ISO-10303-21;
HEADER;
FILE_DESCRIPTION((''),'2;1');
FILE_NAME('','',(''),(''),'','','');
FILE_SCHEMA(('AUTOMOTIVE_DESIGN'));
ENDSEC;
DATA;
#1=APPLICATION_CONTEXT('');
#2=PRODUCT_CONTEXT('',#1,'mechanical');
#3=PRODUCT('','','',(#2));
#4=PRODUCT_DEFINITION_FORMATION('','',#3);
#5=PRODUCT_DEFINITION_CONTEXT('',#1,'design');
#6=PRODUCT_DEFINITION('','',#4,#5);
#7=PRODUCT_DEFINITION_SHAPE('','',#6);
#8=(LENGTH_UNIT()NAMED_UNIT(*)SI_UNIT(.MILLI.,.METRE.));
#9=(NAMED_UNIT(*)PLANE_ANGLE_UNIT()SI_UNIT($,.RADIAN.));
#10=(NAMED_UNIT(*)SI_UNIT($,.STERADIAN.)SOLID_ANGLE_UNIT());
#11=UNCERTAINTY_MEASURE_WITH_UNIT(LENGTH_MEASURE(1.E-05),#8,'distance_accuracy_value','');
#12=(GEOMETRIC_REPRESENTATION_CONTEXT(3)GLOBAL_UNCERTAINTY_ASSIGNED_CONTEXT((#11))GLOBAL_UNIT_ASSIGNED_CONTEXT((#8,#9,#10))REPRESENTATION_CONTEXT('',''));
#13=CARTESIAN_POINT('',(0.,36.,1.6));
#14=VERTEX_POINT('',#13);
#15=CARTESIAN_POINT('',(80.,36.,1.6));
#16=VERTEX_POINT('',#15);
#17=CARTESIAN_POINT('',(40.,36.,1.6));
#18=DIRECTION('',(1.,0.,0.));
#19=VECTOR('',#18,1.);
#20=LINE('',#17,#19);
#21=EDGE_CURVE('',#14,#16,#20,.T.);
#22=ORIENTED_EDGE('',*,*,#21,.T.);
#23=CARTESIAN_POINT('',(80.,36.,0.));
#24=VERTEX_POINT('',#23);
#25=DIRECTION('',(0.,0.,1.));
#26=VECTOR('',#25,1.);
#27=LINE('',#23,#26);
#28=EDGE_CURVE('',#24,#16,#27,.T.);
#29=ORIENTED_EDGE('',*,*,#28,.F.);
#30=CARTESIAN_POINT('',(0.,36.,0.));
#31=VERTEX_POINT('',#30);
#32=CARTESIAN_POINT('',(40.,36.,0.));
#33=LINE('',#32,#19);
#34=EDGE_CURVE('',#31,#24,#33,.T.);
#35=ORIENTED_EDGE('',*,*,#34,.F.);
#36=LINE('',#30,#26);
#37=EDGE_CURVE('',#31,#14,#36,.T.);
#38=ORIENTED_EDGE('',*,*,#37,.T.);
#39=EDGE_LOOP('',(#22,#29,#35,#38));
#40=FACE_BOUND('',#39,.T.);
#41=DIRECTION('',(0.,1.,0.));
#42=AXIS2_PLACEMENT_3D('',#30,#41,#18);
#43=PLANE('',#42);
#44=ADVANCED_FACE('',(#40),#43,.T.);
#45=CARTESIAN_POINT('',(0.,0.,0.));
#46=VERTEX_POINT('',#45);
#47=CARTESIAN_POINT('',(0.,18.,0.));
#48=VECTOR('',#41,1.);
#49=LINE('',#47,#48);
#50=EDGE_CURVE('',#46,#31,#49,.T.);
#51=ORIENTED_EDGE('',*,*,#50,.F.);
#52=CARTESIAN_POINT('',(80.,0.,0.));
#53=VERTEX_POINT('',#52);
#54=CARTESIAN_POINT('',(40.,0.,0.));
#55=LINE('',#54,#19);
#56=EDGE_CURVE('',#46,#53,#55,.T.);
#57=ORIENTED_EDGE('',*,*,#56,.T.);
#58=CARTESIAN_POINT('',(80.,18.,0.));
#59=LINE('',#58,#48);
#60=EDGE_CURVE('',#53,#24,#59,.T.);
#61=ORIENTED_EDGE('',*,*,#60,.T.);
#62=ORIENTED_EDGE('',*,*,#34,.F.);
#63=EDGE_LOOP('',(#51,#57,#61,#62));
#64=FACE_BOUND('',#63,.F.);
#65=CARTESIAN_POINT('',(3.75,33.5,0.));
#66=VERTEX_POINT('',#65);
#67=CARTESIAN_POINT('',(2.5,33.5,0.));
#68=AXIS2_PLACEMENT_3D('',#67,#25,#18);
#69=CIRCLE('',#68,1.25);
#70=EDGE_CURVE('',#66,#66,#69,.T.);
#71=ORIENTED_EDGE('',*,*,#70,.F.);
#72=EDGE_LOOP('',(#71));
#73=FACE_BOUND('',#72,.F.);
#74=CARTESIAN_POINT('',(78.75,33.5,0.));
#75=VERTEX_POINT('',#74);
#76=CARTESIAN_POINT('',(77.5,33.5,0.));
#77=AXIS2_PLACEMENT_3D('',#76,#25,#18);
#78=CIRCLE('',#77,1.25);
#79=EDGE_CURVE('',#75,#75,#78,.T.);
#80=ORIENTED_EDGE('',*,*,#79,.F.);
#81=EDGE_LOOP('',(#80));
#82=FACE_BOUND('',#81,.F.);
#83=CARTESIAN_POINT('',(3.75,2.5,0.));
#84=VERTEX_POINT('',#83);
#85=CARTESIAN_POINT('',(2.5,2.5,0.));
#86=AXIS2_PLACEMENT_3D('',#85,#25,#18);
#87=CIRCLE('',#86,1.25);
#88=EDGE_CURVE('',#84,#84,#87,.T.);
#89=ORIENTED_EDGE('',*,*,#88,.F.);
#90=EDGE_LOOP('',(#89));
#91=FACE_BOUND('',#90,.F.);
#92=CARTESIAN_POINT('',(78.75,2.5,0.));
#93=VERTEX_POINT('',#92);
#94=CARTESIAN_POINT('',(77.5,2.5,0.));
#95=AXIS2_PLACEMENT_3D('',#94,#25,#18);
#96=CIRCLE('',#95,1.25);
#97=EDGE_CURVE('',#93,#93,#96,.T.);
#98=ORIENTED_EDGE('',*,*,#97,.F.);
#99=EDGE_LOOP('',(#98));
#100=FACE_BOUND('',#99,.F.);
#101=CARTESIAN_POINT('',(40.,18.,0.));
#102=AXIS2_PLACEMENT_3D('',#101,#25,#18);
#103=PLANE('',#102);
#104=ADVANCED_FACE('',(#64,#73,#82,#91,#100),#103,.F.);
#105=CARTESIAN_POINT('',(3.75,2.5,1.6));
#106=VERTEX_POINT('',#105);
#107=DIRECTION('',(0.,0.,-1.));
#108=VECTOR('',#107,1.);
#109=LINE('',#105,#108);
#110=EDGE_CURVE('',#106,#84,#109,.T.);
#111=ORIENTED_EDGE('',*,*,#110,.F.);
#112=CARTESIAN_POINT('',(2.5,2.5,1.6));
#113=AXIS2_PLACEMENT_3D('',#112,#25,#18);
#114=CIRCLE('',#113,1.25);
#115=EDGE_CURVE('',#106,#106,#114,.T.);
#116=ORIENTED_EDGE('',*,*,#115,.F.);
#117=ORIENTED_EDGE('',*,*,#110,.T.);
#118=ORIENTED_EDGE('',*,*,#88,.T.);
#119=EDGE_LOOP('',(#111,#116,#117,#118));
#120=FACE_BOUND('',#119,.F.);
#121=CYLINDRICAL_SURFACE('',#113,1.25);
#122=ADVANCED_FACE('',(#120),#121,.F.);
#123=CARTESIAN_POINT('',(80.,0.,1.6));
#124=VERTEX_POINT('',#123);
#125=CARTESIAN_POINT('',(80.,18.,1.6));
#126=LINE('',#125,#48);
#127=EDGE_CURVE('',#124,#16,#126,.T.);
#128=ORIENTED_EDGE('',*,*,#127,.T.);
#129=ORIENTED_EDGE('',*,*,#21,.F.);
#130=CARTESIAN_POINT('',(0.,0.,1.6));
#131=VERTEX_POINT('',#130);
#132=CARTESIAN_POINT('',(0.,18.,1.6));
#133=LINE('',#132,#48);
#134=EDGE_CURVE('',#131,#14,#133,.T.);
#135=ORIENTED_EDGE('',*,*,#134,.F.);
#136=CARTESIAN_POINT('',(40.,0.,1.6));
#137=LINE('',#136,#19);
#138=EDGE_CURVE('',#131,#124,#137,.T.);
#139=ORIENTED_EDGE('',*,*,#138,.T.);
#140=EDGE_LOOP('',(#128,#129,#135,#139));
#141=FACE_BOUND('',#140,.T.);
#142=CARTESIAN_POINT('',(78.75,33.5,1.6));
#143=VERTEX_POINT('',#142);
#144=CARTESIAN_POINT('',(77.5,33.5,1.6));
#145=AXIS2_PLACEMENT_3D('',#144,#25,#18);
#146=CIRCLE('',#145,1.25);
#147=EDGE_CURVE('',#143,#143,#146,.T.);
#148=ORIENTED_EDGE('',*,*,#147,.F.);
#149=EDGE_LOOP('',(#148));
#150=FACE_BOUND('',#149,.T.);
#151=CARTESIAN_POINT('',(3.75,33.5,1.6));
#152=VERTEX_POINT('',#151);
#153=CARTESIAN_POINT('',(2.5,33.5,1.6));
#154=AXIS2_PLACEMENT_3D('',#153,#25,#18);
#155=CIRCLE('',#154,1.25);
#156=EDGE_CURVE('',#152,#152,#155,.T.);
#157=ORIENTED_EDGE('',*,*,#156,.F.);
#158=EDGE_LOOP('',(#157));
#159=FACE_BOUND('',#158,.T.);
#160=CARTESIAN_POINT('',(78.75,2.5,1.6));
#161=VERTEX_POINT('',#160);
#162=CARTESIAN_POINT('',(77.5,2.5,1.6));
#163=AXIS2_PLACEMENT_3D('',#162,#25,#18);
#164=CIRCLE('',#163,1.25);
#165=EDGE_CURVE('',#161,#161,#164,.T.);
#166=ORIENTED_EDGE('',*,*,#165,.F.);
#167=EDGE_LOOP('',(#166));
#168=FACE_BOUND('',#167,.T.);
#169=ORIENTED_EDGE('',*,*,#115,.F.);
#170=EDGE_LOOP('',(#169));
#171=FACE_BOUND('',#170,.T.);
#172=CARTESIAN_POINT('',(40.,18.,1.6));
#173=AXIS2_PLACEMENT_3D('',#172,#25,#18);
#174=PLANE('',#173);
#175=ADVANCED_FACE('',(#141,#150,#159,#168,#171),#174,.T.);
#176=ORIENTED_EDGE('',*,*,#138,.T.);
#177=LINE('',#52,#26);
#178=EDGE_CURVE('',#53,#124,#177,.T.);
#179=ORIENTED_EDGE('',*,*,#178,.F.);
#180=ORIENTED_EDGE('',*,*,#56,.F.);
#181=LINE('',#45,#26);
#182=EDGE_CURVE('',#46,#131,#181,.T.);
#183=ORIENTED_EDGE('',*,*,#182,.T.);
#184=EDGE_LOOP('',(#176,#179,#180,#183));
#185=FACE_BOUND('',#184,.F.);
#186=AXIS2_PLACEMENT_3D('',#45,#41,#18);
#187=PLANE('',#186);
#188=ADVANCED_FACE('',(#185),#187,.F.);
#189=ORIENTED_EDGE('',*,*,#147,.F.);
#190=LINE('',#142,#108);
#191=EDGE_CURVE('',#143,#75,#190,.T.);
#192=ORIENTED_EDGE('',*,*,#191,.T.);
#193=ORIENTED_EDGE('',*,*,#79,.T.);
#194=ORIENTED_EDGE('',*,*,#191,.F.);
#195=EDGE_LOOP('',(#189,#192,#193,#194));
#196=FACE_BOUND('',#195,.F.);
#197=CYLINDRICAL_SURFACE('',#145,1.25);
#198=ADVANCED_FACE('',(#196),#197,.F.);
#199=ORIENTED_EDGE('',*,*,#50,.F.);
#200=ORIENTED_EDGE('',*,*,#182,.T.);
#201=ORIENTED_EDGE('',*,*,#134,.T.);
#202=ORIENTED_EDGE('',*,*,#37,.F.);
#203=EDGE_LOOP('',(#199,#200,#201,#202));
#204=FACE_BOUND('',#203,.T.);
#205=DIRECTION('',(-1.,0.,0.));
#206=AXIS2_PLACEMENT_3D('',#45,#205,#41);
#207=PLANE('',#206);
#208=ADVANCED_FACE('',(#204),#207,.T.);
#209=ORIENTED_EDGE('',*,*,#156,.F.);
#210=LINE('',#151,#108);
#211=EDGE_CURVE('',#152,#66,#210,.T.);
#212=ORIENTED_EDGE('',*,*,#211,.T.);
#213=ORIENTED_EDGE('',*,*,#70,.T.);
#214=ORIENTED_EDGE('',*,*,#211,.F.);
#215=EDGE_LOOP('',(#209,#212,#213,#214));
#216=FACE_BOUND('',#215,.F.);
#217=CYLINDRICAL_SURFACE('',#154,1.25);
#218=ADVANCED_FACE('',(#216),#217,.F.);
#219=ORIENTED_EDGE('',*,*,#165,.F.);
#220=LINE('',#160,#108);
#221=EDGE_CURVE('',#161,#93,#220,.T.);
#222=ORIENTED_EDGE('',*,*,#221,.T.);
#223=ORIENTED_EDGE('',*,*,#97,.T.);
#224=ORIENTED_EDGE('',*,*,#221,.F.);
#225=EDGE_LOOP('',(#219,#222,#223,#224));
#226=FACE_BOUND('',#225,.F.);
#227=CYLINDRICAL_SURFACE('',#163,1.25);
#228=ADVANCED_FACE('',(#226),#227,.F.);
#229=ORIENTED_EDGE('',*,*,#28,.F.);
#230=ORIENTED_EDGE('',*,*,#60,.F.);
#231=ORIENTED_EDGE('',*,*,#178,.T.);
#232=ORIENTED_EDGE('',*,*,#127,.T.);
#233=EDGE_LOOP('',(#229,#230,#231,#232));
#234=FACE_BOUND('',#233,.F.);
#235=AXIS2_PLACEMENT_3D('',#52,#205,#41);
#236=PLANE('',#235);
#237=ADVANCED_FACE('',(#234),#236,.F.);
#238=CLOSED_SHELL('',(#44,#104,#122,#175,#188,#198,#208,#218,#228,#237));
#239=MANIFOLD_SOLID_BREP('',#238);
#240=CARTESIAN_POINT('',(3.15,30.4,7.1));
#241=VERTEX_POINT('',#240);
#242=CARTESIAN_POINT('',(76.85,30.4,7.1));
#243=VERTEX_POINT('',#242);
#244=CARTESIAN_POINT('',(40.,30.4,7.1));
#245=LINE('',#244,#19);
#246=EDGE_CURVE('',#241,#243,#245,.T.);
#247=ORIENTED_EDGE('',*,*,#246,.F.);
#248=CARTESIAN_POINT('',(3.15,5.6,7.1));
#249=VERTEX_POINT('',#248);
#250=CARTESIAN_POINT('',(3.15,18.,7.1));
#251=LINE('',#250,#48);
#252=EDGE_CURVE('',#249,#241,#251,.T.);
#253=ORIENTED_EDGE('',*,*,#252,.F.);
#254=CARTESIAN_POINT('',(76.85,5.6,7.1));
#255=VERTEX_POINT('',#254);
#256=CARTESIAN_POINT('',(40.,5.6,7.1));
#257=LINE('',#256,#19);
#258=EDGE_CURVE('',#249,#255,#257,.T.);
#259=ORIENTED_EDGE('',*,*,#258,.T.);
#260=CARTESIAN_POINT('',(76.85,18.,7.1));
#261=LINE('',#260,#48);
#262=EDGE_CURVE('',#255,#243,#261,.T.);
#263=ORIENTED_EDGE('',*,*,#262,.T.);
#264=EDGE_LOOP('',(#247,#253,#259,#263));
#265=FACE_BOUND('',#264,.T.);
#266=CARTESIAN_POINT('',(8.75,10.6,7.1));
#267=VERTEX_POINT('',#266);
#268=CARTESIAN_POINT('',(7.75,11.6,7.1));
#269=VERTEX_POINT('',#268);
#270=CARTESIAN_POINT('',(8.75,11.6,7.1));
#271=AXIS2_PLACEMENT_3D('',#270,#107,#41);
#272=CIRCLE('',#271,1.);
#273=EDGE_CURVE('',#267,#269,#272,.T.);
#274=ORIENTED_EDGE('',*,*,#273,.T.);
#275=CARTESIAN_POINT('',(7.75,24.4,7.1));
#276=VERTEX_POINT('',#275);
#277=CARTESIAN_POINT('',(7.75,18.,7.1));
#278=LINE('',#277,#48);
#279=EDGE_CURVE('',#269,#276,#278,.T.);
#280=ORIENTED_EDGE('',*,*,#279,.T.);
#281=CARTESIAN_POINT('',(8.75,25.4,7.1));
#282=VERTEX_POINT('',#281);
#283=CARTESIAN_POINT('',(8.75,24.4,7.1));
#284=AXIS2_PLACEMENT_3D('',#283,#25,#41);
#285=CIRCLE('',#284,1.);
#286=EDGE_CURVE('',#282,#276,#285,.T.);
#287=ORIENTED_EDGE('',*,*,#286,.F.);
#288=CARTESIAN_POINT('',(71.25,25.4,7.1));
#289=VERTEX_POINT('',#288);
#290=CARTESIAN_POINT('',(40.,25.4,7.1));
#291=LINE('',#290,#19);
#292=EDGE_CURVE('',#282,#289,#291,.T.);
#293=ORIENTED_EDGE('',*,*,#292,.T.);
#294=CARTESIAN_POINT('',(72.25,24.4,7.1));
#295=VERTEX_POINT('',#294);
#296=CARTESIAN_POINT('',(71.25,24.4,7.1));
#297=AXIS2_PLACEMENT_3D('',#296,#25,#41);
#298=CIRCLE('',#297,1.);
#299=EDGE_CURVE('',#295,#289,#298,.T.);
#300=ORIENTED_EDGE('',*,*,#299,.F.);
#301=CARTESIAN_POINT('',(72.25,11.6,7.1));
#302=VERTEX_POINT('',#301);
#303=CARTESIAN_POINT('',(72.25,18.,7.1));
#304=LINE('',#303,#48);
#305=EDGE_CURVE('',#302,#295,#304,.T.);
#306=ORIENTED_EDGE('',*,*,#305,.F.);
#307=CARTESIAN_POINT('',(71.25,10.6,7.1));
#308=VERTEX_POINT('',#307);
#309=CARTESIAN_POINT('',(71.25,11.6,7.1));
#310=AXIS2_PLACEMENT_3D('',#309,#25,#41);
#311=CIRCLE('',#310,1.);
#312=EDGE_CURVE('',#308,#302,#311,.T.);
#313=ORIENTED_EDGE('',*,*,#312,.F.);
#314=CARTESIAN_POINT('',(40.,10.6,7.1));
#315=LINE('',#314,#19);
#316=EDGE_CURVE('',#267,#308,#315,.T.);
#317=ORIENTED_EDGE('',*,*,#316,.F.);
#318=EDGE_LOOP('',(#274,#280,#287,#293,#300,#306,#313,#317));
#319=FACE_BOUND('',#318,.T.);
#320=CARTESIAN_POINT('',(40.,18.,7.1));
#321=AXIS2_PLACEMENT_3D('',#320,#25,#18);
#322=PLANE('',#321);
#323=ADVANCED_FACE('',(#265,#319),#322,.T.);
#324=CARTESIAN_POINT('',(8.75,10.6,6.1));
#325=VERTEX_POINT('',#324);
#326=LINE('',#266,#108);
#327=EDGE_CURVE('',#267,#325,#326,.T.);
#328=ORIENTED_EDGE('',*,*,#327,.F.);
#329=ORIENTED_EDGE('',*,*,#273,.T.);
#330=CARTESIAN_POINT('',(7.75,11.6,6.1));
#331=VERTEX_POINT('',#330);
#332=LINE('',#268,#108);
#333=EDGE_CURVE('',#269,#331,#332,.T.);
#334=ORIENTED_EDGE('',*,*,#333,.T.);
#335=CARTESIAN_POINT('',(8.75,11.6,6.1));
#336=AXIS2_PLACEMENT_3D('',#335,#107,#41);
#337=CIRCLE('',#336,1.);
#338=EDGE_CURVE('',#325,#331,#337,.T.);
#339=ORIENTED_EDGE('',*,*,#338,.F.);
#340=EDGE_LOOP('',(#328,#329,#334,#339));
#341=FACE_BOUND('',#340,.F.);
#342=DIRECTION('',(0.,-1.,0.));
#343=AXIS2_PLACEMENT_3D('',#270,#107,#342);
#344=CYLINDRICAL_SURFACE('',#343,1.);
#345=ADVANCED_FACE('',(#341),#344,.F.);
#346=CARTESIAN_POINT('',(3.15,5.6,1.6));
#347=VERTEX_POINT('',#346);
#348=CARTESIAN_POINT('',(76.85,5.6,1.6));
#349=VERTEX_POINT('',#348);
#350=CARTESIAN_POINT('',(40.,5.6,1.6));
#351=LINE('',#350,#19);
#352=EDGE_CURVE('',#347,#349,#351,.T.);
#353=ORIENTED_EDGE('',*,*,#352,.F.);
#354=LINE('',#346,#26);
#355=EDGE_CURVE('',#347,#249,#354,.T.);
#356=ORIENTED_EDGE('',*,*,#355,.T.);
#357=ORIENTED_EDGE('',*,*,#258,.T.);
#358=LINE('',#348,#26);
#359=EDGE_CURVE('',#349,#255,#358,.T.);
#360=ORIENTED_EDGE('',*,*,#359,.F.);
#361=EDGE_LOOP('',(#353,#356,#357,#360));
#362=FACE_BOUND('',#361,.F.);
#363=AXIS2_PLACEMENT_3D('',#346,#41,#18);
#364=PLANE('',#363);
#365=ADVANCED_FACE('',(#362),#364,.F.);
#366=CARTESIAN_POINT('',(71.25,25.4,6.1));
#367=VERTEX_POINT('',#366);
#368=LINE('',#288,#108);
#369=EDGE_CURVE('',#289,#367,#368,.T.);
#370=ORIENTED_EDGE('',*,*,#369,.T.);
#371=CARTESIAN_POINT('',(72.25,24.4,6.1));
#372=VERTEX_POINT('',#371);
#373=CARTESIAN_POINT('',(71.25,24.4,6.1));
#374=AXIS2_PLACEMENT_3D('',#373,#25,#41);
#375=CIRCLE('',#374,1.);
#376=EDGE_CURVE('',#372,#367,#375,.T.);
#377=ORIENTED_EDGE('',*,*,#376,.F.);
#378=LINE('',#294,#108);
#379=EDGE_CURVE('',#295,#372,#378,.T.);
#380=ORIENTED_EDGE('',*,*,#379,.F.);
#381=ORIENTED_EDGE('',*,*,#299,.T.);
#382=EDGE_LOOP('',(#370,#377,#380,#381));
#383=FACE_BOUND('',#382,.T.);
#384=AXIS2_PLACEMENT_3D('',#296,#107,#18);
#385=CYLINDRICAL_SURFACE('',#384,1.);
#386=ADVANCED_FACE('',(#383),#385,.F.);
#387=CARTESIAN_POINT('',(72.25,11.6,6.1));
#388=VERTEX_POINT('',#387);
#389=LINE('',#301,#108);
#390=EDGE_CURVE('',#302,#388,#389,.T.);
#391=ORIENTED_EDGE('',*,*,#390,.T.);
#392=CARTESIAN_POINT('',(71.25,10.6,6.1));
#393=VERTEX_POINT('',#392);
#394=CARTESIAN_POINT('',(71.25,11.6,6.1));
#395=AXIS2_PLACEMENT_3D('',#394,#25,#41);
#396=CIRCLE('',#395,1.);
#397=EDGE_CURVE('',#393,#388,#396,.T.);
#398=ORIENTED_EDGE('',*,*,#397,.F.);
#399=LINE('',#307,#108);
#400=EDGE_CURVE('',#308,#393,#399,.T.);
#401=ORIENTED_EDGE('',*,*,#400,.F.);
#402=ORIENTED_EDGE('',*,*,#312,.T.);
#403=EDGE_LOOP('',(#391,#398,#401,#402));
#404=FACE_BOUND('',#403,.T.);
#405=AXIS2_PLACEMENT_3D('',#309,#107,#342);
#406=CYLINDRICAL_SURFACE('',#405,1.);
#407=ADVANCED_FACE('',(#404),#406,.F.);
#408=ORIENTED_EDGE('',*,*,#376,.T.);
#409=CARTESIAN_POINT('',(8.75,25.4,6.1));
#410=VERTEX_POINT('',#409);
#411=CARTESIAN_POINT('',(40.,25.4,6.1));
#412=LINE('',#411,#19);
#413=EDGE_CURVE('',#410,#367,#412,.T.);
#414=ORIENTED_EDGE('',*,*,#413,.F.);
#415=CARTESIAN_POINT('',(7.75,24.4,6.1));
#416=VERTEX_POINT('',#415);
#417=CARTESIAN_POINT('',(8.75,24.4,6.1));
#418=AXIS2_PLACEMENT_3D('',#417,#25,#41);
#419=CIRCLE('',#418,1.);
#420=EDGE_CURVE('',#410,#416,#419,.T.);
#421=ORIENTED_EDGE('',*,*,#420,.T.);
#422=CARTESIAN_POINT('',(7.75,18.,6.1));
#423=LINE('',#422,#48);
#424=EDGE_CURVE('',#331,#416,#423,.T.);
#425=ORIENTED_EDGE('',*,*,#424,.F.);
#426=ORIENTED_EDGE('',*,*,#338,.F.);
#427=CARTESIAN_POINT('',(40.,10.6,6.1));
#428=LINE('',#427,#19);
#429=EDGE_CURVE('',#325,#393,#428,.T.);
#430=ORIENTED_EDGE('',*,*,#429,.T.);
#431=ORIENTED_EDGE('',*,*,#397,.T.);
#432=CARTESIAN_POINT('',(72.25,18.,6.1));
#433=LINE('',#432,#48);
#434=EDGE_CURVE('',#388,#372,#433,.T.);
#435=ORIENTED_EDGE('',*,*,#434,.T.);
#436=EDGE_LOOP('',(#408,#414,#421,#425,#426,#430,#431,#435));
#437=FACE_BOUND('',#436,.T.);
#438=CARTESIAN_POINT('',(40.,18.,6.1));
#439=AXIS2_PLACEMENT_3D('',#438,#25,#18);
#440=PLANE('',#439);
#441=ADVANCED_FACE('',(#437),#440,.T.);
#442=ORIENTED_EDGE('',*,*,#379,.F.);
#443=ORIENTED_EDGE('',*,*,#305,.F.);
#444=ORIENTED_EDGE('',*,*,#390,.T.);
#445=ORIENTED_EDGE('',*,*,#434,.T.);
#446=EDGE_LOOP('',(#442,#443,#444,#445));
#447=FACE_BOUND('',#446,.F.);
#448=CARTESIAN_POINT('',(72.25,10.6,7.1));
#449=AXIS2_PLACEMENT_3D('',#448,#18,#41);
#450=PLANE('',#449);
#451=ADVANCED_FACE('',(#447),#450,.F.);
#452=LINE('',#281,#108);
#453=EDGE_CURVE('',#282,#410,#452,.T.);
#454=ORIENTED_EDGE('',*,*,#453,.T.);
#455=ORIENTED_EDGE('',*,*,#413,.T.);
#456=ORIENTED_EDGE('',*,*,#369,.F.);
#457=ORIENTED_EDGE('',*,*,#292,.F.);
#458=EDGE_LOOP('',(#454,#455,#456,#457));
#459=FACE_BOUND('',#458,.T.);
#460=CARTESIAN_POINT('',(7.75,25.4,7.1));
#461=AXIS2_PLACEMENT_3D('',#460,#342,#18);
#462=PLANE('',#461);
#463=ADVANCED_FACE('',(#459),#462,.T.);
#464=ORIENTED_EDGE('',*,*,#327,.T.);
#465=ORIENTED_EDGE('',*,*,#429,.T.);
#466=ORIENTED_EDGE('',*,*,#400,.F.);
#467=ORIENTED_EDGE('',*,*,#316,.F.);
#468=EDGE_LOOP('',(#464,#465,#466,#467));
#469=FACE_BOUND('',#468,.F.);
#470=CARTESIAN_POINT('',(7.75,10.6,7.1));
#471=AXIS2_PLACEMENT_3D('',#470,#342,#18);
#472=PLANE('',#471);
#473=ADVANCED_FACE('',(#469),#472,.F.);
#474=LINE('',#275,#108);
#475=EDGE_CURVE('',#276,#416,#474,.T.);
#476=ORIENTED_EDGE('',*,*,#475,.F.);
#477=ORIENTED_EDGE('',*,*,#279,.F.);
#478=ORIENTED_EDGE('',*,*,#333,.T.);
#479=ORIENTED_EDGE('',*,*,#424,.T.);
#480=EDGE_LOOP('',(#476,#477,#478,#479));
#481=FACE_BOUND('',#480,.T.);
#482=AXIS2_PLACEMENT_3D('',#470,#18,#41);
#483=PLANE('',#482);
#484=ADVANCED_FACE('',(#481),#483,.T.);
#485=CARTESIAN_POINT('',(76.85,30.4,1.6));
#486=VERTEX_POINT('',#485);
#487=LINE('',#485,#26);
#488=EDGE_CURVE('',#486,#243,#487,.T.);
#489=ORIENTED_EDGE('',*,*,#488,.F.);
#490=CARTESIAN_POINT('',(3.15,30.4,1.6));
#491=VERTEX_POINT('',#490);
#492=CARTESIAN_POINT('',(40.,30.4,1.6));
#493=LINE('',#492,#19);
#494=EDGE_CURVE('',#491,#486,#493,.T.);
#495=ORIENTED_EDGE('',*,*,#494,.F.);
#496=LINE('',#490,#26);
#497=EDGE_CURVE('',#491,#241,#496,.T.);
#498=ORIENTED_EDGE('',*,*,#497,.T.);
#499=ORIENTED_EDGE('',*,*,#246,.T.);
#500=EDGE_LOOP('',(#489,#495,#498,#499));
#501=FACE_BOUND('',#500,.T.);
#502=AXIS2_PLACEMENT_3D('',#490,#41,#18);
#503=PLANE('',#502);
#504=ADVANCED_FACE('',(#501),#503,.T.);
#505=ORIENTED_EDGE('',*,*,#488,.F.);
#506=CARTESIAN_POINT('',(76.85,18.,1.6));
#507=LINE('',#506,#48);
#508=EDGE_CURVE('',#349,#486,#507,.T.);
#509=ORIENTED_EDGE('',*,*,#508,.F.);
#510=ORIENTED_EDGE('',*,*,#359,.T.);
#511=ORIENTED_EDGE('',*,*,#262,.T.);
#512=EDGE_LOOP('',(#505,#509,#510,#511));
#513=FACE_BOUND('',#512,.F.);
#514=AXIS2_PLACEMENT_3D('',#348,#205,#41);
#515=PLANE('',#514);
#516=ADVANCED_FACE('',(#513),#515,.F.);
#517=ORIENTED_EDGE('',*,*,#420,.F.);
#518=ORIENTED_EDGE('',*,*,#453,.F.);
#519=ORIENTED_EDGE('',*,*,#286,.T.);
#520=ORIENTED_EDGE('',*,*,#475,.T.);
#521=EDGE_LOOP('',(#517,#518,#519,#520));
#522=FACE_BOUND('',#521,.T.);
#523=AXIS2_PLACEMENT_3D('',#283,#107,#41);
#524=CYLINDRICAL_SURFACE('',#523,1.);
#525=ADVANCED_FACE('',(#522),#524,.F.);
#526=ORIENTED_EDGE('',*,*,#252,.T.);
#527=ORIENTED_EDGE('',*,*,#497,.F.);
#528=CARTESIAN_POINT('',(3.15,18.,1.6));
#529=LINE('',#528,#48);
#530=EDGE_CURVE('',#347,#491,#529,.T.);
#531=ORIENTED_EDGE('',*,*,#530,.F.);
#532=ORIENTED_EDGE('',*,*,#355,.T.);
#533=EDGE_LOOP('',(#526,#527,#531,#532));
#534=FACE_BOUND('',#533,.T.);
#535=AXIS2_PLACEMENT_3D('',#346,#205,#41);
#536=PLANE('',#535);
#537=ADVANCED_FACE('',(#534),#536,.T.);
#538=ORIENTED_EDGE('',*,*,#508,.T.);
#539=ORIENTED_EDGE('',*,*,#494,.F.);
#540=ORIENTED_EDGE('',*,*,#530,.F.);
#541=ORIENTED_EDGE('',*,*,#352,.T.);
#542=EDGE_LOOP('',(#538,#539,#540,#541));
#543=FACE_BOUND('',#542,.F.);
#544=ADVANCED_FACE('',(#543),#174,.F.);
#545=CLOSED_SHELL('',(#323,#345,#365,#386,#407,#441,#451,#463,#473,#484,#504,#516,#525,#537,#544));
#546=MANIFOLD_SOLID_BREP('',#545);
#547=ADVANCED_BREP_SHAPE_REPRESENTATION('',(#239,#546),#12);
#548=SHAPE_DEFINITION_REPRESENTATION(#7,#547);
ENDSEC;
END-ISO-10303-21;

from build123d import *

# Parameters (mm, degrees)
F0_W     = 80
F0_H     = 36
F1_DEPTH = 1.6
F2_R     = 1.25
F3_DEPTH = 1.6
F4_W     = 73.7
F4_H     = 24.8
F5_DEPTH = 5.5
F6_W     = 64.5
F6_H     = 14.8
F7_DEPTH = 1
F8_R     = 1


with BuildPart() as f1:
    # F0 (on Top) → F1 (new body)
    with BuildSketch(Plane.XY):
        with Locations((40, 18)):
            Rectangle(F0_W, F0_H)
    extrude(amount=F1_DEPTH)

    # F2 (on face) → F3 (cut, through all)
    with BuildSketch(Plane.XY.offset(1.6)):
        with Locations((2.5, 2.5)):
            Circle(F2_R)
        with Locations((2.5, 33.5)):
            Circle(F2_R)
        with Locations((77.5, 2.5)):
            Circle(F2_R)
        with Locations((77.5, 33.5)):
            Circle(F2_R)
    extrude(amount=-F3_DEPTH, mode=Mode.SUBTRACT)


with BuildPart() as f5:
    # F4 (on face) → F5 (new body)
    with BuildSketch(Plane.XY.offset(1.6)):
        with Locations((40, 18)):
            Rectangle(F4_W, F4_H)
    extrude(amount=F5_DEPTH)

    # F6 (on face) → F7 (cut)
    with BuildSketch(Plane.XY.offset(7.1)):
        with Locations((40, 18)):
            Rectangle(F6_W, F6_H)
    extrude(amount=-F7_DEPTH, mode=Mode.SUBTRACT)

    # F8
    f8_edges = [f5.edges().sort_by_distance(p)[0] for p in [
        (7.75, 25.4, 6.6),
        (7.75, 10.6, 6.6),
        (72.25, 25.4, 6.6),
        (72.25, 10.6, 6.6),
    ]]
    fillet(f8_edges, radius=F8_R)


solid = Compound([f1.part, f5.part])
